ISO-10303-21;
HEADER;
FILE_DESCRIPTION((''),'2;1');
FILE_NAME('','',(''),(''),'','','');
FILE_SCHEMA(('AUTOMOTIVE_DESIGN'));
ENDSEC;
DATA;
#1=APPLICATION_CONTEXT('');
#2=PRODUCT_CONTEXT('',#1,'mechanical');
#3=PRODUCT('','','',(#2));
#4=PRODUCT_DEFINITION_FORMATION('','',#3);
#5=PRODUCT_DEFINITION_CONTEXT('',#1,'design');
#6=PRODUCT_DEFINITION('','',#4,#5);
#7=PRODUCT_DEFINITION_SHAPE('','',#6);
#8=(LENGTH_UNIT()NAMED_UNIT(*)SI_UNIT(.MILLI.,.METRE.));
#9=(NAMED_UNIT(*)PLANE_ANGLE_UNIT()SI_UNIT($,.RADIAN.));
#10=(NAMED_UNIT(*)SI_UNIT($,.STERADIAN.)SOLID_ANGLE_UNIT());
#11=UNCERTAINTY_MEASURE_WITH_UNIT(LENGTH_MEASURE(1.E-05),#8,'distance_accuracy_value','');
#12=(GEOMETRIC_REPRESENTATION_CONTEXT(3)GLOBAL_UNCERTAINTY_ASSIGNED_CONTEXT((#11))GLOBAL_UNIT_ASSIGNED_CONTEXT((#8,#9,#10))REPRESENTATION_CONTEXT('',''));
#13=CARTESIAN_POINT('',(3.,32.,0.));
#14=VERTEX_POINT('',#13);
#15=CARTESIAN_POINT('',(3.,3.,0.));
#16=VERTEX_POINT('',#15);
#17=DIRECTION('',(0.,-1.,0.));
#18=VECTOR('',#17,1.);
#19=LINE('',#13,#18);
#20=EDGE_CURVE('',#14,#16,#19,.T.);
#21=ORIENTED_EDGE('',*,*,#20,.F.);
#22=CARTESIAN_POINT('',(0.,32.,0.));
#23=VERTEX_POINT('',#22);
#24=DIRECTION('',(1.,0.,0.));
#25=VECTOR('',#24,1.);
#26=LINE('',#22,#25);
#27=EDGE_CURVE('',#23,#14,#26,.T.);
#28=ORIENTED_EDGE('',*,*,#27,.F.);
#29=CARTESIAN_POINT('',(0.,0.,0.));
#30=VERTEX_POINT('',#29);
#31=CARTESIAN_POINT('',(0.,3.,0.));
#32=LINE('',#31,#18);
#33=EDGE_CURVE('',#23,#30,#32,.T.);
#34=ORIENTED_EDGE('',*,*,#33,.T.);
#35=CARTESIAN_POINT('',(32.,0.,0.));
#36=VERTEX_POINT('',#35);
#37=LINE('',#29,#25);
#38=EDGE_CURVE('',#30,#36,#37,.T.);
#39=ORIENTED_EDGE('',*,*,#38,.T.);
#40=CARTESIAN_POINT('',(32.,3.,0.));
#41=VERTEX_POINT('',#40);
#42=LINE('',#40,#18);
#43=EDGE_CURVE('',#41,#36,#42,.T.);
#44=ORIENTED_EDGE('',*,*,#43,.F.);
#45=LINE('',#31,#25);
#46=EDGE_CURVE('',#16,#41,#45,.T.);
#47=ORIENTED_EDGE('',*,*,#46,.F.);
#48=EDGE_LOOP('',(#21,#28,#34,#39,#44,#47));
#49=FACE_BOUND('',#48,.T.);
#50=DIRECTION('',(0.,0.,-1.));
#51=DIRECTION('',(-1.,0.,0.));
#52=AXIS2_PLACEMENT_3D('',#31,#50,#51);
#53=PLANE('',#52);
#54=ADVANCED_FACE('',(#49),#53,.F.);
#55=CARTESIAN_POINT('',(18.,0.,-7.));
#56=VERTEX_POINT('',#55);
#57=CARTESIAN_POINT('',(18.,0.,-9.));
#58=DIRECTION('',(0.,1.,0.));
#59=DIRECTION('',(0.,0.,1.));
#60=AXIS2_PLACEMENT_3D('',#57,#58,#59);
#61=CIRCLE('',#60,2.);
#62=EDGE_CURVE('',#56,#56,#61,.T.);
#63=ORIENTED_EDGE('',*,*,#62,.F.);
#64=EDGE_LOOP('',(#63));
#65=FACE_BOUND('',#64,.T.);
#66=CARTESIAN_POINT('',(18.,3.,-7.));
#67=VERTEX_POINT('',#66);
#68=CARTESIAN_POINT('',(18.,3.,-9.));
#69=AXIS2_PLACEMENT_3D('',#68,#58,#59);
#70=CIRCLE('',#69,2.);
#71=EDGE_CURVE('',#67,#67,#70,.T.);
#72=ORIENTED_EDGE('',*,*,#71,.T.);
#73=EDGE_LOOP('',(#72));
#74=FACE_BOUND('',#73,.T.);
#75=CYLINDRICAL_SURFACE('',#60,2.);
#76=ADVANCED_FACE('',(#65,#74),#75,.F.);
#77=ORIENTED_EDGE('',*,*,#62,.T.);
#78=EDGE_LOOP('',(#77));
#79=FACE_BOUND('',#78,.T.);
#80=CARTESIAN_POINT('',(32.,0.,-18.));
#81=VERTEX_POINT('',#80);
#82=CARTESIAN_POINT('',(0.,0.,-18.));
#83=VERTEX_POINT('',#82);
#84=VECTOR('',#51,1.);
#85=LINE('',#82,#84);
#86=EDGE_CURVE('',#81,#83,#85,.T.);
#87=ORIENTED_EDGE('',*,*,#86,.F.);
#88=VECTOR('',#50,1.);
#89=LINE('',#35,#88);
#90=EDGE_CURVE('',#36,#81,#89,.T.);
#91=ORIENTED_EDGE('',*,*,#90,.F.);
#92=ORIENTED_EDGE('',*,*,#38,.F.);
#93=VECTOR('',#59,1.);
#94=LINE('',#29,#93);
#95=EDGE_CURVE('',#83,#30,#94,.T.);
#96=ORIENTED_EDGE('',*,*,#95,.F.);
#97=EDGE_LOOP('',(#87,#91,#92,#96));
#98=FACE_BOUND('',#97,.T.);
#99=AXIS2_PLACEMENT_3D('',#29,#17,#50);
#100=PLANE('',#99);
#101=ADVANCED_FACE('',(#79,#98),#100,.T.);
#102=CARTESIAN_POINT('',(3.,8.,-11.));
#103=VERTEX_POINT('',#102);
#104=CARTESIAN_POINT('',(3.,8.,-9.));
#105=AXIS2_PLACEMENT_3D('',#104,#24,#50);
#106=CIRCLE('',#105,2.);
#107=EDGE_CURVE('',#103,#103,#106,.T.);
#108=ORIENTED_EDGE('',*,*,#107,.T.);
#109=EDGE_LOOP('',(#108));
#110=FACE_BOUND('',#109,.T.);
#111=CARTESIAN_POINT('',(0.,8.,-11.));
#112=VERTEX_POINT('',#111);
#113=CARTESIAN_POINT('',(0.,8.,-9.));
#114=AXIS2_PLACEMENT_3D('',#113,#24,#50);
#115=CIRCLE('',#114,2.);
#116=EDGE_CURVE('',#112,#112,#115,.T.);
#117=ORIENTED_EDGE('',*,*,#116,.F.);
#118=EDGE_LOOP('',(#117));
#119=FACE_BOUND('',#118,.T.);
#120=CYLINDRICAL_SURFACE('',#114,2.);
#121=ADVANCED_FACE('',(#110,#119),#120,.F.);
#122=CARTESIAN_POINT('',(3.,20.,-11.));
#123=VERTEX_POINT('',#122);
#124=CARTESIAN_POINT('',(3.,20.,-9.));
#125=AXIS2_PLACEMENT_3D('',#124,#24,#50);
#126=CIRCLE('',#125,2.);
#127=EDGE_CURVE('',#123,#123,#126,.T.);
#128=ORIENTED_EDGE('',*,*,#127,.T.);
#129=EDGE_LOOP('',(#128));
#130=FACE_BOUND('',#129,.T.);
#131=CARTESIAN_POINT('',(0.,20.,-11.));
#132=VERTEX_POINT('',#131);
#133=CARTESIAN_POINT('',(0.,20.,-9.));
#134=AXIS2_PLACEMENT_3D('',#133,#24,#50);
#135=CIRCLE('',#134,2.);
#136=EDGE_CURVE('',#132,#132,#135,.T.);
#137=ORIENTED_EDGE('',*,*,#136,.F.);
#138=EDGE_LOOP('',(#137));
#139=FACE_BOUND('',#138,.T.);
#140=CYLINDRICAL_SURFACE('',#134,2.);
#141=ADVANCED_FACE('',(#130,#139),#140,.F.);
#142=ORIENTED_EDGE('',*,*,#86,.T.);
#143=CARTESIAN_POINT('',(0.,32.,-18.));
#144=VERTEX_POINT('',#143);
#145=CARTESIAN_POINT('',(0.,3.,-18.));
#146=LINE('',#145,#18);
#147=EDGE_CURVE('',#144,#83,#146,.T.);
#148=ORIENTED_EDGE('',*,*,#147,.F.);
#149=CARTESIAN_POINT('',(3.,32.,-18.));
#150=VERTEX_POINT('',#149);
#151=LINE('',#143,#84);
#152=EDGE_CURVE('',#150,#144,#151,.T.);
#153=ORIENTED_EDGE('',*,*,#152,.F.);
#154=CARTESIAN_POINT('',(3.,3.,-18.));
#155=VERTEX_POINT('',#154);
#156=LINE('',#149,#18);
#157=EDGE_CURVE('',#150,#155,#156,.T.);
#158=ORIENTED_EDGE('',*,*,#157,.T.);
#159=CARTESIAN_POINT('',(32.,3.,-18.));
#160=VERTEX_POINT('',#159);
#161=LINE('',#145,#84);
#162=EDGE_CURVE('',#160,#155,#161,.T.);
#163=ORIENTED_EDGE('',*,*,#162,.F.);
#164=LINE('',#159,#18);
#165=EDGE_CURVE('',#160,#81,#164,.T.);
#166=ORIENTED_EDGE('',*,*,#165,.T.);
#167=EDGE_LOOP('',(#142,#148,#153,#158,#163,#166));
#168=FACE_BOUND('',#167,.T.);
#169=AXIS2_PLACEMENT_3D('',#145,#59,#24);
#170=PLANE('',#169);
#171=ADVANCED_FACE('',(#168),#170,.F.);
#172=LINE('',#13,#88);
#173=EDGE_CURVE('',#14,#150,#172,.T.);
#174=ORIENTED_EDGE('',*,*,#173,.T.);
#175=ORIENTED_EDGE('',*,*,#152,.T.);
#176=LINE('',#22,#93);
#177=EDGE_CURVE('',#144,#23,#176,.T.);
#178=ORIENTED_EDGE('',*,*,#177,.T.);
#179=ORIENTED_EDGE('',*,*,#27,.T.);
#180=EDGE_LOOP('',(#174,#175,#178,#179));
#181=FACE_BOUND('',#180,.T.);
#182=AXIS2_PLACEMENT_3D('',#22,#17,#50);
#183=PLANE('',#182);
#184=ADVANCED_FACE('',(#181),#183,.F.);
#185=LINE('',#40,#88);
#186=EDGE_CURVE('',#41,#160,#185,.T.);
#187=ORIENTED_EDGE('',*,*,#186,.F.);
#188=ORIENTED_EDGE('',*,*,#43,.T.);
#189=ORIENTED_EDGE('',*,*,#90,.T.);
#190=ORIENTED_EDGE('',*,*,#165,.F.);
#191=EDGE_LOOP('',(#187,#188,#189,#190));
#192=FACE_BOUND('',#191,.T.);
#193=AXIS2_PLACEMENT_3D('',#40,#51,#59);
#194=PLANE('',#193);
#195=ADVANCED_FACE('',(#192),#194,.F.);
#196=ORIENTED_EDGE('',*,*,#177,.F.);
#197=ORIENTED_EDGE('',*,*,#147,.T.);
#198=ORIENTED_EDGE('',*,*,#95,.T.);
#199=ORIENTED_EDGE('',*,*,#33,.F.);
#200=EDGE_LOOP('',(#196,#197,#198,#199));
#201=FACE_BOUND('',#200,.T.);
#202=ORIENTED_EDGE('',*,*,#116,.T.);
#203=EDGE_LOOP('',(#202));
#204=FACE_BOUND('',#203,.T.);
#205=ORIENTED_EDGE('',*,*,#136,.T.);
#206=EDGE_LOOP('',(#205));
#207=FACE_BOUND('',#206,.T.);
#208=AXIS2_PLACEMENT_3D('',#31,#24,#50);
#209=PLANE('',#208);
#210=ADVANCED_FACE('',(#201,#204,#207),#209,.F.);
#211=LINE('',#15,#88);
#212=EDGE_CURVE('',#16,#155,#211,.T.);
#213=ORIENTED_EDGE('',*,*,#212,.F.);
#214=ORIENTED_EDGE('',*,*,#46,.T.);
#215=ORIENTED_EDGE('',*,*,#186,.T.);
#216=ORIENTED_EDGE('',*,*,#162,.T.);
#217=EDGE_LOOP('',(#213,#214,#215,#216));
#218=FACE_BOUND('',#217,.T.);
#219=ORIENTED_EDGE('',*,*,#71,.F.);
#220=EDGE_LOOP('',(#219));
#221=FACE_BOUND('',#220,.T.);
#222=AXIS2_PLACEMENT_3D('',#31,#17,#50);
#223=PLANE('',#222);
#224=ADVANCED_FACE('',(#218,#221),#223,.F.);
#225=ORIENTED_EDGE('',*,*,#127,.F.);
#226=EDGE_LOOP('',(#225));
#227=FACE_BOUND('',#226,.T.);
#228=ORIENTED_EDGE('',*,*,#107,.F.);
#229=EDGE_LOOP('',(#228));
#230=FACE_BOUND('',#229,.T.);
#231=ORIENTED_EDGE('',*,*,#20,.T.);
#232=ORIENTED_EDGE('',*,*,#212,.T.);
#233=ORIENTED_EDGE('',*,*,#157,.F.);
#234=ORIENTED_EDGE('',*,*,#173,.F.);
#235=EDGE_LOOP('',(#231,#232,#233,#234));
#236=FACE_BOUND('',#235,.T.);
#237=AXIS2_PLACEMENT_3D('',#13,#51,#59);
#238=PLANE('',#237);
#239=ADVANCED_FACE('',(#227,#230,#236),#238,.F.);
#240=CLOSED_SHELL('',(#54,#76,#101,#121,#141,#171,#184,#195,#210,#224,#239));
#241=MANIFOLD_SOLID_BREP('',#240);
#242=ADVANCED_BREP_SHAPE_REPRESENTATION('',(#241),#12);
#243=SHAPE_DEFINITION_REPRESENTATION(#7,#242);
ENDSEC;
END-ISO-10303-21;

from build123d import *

# Parameters (mm, degrees)
SKETCH1_W           = 32
SKETCH1_H           = 18
BOSS_EXTRUDE1_DEPTH = 3
SKETCH2_W           = 3
SKETCH2_H           = 18
BOSS_EXTRUDE2_DEPTH = 29
SKETCH3_R           = 2
CUT_EXTRUDE1_DEPTH  = 47.786750261
SKETCH4_R           = 2
CUT_EXTRUDE2_DEPTH  = 47.786750261


with BuildPart() as part:
    # Sketch1 → Boss-Extrude1 (new body)
    with BuildSketch(Plane(origin=(0, 0, 0), x_dir=(1, 0, 0), z_dir=(0, 1, 0))):
        with Locations((16, 9)):
            Rectangle(SKETCH1_W, SKETCH1_H)
    extrude(amount=BOSS_EXTRUDE1_DEPTH)

    # Sketch2 → Boss-Extrude2 (add)
    with BuildSketch(Plane(origin=(0, 3, 0), x_dir=(1, 0, 0), z_dir=(0, 1, 0))):
        with Locations((1.5, 9)):
            Rectangle(SKETCH2_W, SKETCH2_H)
    extrude(amount=BOSS_EXTRUDE2_DEPTH)

    # Sketch3 → Cut-Extrude1 (cut, through all)
    with BuildSketch(Plane(origin=(0, 3, 0), x_dir=(1, 0, 0), z_dir=(0, 1, 0))):
        with Locations(Location((18, 9, 0), (0, 0, 270))):
            Circle(SKETCH3_R)
    extrude(amount=-CUT_EXTRUDE1_DEPTH, mode=Mode.SUBTRACT)

    # Sketch4 → Cut-Extrude2 (cut, through all)
    with BuildSketch(Plane(origin=(3, 0, 0), x_dir=(0, 0, -1), z_dir=(1, 0, 0))):
        with Locations((9, 20)):
            Circle(SKETCH4_R)
        with Locations((9, 8)):
            Circle(SKETCH4_R)
    extrude(amount=-CUT_EXTRUDE2_DEPTH, mode=Mode.SUBTRACT)


solid = part.part
